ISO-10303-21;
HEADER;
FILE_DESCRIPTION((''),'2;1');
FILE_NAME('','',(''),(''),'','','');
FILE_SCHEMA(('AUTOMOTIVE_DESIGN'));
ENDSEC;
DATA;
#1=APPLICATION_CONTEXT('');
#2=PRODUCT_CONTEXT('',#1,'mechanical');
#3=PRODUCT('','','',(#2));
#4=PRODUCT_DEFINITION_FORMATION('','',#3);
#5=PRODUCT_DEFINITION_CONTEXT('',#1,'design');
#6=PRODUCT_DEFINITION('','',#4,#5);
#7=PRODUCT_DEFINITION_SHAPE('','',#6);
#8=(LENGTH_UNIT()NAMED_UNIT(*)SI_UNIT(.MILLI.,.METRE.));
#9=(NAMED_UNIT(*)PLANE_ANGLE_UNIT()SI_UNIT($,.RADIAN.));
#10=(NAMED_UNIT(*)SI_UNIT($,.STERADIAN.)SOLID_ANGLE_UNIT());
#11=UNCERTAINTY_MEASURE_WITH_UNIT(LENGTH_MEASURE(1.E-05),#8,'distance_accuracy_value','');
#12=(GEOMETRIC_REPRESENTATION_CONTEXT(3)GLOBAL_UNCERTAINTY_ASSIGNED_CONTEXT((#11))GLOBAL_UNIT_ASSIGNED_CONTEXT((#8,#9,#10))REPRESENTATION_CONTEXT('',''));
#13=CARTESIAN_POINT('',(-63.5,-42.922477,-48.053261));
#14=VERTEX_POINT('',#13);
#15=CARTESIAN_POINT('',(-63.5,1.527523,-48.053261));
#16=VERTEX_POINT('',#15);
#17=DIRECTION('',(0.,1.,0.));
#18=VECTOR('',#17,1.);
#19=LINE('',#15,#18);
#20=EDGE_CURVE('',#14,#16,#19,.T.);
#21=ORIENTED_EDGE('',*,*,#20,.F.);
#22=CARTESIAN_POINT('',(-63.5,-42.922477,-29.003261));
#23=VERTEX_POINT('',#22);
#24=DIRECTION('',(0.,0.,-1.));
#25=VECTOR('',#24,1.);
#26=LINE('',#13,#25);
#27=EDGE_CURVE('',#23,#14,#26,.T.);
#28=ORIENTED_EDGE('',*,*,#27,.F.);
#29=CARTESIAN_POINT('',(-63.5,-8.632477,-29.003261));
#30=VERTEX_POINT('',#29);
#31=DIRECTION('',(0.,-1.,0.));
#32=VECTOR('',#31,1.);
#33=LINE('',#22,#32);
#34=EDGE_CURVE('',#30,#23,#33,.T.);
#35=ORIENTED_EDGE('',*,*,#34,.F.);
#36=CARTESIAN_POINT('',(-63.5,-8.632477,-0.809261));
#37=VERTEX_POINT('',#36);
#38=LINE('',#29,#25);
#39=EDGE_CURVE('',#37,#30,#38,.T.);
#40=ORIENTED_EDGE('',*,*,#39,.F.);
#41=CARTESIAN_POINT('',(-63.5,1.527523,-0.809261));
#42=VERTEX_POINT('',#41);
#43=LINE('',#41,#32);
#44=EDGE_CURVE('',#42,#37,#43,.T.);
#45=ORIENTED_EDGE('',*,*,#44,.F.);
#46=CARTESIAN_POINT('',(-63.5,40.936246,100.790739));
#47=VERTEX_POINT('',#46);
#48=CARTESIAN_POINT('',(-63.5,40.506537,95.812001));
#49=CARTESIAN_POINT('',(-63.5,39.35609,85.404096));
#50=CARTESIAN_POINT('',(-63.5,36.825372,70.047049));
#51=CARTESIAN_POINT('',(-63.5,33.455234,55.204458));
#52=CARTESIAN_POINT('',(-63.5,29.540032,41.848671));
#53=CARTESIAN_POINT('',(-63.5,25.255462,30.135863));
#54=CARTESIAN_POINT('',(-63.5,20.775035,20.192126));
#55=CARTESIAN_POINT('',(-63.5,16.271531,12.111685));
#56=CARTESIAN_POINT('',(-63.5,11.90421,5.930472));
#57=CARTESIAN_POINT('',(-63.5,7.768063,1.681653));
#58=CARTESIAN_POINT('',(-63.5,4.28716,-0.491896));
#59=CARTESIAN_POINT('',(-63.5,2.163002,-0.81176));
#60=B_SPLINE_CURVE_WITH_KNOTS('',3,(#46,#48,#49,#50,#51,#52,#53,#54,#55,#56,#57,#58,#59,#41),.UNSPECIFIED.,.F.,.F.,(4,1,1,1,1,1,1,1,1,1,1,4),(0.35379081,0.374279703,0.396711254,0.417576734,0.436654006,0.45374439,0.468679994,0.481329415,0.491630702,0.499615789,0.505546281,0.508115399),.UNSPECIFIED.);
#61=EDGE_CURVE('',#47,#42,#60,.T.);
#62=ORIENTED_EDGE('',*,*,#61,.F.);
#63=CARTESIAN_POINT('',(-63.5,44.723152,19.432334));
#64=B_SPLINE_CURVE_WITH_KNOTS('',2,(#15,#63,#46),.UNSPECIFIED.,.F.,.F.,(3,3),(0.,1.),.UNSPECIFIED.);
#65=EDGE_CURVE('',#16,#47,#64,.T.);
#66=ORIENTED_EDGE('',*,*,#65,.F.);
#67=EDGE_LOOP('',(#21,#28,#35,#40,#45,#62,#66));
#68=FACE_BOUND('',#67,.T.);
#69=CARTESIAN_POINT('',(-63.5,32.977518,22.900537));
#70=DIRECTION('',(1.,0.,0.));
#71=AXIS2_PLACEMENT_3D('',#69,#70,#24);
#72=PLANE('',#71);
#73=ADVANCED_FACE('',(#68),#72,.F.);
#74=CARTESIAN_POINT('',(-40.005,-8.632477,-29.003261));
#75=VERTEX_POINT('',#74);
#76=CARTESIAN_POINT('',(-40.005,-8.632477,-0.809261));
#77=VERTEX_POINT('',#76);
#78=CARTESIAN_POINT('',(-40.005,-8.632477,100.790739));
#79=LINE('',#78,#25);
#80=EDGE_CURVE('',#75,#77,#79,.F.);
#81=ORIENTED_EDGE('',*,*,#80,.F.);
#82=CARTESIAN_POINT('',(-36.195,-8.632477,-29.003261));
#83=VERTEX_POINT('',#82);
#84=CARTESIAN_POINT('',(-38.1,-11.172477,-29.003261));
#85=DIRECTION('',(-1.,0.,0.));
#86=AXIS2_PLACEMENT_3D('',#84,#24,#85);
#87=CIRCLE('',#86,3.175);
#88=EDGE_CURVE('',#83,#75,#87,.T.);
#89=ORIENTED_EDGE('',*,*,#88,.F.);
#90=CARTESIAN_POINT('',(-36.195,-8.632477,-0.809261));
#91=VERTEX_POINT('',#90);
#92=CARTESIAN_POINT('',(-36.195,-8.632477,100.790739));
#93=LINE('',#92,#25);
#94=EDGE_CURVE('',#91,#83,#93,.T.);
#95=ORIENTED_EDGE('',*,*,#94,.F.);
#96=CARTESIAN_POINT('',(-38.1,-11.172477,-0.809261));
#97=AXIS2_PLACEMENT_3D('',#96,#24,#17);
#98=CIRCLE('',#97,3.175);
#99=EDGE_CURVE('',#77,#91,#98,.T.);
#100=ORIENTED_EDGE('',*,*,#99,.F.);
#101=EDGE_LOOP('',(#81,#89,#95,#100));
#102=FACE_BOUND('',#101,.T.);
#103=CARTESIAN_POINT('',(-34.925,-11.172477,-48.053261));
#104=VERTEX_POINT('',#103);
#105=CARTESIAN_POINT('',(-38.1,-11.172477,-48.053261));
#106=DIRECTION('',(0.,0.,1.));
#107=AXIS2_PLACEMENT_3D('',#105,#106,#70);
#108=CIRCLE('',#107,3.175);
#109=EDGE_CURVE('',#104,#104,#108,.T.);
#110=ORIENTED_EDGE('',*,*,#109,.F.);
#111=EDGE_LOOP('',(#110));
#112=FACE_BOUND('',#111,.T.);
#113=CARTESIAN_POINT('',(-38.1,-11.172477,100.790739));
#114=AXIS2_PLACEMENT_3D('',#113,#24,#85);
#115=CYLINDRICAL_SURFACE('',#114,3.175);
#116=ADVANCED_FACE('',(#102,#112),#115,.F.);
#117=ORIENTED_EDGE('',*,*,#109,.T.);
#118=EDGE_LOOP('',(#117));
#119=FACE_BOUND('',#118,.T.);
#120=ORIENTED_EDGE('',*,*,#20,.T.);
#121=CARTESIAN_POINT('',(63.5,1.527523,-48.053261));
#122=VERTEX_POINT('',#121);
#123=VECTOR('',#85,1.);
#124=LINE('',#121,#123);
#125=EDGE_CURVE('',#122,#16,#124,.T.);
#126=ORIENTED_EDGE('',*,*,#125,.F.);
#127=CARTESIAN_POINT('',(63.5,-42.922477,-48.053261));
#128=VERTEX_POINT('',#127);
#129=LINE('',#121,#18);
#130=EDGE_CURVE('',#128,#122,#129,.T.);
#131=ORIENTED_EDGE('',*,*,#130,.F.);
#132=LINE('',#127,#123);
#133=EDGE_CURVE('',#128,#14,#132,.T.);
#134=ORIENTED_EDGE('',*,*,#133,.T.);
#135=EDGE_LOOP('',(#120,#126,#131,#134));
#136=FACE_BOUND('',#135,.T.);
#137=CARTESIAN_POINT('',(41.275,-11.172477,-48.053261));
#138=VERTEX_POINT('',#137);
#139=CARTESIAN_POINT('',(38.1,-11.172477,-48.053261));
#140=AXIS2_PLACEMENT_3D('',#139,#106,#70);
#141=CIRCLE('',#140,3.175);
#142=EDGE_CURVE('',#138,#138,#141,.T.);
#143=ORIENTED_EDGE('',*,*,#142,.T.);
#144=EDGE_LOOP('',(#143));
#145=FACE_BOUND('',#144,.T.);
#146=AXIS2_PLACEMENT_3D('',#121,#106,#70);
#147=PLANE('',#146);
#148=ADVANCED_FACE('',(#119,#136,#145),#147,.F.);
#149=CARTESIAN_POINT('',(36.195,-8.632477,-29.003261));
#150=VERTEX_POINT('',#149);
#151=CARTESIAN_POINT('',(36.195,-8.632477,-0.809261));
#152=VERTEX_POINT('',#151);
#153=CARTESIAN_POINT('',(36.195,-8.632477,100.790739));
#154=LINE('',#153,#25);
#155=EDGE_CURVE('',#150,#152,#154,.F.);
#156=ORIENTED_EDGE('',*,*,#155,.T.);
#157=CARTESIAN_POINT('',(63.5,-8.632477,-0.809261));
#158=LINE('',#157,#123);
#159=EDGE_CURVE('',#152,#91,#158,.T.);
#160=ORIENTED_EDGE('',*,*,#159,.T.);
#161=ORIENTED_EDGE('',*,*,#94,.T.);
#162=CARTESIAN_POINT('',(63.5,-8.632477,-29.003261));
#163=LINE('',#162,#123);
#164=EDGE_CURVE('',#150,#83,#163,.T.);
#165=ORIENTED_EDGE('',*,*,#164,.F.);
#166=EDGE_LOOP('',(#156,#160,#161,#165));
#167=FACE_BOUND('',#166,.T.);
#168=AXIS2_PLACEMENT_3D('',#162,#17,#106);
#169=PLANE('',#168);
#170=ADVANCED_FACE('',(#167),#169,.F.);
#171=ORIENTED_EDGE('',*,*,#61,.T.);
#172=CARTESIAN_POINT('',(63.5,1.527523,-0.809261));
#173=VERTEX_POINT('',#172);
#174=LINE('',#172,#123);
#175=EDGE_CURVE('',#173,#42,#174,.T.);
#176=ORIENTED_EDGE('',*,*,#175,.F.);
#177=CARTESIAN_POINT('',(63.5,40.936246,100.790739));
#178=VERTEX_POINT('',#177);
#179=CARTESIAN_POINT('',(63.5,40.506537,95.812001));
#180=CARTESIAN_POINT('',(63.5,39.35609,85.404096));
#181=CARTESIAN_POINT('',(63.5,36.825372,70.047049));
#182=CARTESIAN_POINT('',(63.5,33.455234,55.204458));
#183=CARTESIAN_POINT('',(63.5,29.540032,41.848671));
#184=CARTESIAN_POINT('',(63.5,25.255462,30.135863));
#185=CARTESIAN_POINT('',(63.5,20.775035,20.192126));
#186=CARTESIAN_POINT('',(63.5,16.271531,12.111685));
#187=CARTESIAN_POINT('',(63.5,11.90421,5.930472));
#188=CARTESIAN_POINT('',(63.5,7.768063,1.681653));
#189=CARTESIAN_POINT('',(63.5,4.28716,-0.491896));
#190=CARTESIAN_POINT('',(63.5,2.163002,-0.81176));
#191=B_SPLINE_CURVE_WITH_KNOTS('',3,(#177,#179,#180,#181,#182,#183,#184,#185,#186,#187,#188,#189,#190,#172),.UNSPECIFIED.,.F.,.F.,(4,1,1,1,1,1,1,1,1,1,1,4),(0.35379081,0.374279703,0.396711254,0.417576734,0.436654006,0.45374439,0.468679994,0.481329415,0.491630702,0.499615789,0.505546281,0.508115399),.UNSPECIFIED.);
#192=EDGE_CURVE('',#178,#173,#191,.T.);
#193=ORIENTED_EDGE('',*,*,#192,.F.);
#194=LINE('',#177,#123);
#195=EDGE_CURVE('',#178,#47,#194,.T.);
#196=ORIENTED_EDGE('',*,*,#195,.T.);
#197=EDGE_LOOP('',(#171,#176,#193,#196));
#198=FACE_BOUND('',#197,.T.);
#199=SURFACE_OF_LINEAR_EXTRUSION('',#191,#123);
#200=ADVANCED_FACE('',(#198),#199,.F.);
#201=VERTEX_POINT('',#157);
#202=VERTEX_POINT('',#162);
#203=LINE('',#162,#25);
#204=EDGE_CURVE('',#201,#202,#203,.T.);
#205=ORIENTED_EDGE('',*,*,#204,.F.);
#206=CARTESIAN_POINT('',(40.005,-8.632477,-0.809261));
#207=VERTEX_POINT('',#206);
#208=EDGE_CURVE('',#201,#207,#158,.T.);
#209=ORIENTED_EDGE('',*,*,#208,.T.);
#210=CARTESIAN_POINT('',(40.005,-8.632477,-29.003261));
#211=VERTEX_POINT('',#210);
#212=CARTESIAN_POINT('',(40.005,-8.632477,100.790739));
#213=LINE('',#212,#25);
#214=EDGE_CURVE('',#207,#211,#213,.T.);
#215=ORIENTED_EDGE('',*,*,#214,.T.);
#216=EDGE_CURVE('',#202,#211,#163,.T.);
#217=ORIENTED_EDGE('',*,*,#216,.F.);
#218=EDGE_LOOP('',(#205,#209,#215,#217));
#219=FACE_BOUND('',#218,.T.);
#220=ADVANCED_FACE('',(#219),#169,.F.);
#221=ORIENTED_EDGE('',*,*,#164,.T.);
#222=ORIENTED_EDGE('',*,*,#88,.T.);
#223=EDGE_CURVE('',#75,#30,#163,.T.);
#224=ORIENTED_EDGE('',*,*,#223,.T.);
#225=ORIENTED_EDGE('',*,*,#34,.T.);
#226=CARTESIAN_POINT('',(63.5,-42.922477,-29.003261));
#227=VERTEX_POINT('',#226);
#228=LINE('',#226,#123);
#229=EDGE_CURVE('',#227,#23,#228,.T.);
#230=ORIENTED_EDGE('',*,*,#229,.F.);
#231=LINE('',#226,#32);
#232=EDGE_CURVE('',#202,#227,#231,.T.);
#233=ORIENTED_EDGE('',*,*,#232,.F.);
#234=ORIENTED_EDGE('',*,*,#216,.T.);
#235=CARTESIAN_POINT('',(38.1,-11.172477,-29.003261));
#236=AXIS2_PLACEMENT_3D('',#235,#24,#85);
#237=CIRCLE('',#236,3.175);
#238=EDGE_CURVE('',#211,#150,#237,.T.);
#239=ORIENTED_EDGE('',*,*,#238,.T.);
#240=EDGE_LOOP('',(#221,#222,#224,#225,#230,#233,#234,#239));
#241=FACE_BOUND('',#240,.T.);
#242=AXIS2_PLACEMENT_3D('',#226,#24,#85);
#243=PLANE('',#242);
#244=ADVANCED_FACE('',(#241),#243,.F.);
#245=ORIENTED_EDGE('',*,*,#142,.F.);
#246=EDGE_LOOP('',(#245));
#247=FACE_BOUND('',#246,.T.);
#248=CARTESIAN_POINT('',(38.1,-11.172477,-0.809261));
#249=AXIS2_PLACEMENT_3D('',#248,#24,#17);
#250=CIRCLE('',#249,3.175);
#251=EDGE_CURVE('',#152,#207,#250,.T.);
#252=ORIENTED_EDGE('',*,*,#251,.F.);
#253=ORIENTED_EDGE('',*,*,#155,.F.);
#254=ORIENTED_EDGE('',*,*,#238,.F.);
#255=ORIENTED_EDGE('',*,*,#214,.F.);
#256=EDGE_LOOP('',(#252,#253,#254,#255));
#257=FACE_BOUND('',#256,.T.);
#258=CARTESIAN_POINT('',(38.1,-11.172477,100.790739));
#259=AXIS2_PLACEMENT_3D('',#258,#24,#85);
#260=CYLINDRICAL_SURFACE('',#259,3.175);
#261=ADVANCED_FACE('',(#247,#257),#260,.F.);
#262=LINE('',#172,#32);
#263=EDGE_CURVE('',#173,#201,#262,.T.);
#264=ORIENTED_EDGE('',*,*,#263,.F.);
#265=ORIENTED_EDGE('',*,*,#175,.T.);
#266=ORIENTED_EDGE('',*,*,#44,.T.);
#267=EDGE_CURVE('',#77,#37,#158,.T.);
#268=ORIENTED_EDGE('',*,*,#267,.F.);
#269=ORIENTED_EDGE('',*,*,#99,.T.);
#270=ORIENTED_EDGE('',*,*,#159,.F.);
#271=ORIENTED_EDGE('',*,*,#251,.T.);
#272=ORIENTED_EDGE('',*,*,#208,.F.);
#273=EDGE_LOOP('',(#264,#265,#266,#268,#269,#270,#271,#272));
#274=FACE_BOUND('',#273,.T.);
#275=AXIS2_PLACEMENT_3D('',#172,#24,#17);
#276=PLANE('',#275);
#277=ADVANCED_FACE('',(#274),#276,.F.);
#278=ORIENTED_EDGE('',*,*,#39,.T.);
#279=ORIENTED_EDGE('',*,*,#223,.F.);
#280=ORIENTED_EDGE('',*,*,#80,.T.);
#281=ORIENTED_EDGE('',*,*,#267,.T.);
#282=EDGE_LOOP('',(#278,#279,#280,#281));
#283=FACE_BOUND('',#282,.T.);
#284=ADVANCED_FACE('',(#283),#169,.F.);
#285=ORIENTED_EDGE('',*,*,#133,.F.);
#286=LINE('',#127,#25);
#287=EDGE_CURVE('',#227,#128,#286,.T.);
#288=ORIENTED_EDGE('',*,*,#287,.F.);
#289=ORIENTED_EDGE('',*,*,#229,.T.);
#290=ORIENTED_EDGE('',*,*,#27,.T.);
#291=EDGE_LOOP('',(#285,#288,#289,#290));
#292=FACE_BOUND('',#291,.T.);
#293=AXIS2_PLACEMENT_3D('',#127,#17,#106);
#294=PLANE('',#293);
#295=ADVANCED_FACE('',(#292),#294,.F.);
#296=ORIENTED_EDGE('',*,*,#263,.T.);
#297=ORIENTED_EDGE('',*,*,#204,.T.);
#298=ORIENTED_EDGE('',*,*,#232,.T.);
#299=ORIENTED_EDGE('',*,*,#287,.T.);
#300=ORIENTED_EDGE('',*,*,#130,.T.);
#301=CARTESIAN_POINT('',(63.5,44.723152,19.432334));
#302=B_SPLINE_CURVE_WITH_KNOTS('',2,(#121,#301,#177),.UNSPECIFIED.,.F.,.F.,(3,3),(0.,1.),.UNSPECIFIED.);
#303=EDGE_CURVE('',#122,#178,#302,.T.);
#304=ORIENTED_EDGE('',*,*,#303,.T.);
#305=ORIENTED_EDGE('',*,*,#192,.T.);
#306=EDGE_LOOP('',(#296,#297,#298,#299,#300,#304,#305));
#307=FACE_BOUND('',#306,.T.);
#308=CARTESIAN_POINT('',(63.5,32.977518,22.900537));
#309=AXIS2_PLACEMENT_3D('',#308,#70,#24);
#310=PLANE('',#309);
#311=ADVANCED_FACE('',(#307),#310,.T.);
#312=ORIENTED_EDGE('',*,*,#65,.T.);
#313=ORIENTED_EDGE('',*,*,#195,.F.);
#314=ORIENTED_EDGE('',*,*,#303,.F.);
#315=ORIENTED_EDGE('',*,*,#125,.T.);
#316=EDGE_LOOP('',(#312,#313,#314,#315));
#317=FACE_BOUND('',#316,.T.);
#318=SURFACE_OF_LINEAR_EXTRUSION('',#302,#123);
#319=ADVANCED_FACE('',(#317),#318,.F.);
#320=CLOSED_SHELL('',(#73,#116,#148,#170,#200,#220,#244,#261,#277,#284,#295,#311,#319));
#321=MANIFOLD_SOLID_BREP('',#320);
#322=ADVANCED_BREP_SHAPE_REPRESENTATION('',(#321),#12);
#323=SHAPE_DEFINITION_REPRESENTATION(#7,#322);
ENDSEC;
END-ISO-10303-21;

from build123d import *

# Parameters (mm, degrees)
BOSS_EXTRUDE1_DEPTH     = 63.5
CUT_EXTRUDE1_DEPTH      = 168.419011538
CUT_EXTRUDE1_DEPTH_BACK = 168.419011538
SKETCH2_R               = 3.175


with BuildPart() as part:
    # Sketch1 → Boss-Extrude1 (new, symmetric)
    with BuildSketch(Plane(origin=(0, 0, 0), x_dir=(0, 0, -1), z_dir=(1, 0, 0))):
        with BuildLine():
            Line((0.809260665, 1.527522938), (0.809260665, -8.632477062))
            Line((0.809260665, -8.632477062), (29.003260665, -8.632477062))
            Line((29.003260665, -8.632477062), (29.003260665, -42.922477062))
            Line((29.003260665, -42.922477062), (48.053260665, -42.922477062))
            Line((48.053260665, -42.922477062), (48.053260665, 1.527522938))
            add(Edge.make_bspline(
                [(-100.790739335, 40.936245598), (-19.432334381, 44.723152192), (48.053260665, 1.527522938)],
                knots=[0, 0, 0, 1, 1, 1], degree=2))
            add(Edge.make_bspline(
                [(-100.790739335, 40.936245598), (-95.812000817, 40.506536715), (-85.404095735, 39.35609048), (-70.04704926, 36.825372047), (-55.204457945, 33.455234316), (-41.848670928, 29.540032245), (-30.135862863, 25.255462099), (-20.192126341, 20.775035432), (-12.11168478, 16.271531389), (-5.930472237, 11.904209881), (-1.681652897, 7.768063044), (0.491896357, 4.287160304), (0.81175974, 2.163002008), (0.809260665, 1.527522938)],
                knots=[0.35379081, 0.35379081, 0.35379081, 0.35379081, 0.374279703, 0.396711254, 0.417576734, 0.436654006, 0.45374439, 0.468679994, 0.481329415, 0.491630702, 0.499615789, 0.505546281, 0.508115399, 0.508115399, 0.508115399, 0.508115399], degree=3))
        make_face()
    extrude(amount=BOSS_EXTRUDE1_DEPTH, both=True)

    # Sketch2 → Cut-Extrude1 (cut, two sides: drawn at the far end of the back side and taken through both)
    with BuildSketch(Plane(origin=(0, 0, -48.053260665), x_dir=(-1, 0, 0), z_dir=(0, 0, -1)).offset(-CUT_EXTRUDE1_DEPTH_BACK)):
        with Locations(Location((-38.1, -11.172477062, 0), (0, 0, 53.130102354))):
            Circle(SKETCH2_R)
        with Locations(Location((38.1, -11.172477062, 0), (0, 0, 53.130102354))):
            Circle(SKETCH2_R)
    extrude(amount=CUT_EXTRUDE1_DEPTH + CUT_EXTRUDE1_DEPTH_BACK, mode=Mode.SUBTRACT)


solid = part.part
